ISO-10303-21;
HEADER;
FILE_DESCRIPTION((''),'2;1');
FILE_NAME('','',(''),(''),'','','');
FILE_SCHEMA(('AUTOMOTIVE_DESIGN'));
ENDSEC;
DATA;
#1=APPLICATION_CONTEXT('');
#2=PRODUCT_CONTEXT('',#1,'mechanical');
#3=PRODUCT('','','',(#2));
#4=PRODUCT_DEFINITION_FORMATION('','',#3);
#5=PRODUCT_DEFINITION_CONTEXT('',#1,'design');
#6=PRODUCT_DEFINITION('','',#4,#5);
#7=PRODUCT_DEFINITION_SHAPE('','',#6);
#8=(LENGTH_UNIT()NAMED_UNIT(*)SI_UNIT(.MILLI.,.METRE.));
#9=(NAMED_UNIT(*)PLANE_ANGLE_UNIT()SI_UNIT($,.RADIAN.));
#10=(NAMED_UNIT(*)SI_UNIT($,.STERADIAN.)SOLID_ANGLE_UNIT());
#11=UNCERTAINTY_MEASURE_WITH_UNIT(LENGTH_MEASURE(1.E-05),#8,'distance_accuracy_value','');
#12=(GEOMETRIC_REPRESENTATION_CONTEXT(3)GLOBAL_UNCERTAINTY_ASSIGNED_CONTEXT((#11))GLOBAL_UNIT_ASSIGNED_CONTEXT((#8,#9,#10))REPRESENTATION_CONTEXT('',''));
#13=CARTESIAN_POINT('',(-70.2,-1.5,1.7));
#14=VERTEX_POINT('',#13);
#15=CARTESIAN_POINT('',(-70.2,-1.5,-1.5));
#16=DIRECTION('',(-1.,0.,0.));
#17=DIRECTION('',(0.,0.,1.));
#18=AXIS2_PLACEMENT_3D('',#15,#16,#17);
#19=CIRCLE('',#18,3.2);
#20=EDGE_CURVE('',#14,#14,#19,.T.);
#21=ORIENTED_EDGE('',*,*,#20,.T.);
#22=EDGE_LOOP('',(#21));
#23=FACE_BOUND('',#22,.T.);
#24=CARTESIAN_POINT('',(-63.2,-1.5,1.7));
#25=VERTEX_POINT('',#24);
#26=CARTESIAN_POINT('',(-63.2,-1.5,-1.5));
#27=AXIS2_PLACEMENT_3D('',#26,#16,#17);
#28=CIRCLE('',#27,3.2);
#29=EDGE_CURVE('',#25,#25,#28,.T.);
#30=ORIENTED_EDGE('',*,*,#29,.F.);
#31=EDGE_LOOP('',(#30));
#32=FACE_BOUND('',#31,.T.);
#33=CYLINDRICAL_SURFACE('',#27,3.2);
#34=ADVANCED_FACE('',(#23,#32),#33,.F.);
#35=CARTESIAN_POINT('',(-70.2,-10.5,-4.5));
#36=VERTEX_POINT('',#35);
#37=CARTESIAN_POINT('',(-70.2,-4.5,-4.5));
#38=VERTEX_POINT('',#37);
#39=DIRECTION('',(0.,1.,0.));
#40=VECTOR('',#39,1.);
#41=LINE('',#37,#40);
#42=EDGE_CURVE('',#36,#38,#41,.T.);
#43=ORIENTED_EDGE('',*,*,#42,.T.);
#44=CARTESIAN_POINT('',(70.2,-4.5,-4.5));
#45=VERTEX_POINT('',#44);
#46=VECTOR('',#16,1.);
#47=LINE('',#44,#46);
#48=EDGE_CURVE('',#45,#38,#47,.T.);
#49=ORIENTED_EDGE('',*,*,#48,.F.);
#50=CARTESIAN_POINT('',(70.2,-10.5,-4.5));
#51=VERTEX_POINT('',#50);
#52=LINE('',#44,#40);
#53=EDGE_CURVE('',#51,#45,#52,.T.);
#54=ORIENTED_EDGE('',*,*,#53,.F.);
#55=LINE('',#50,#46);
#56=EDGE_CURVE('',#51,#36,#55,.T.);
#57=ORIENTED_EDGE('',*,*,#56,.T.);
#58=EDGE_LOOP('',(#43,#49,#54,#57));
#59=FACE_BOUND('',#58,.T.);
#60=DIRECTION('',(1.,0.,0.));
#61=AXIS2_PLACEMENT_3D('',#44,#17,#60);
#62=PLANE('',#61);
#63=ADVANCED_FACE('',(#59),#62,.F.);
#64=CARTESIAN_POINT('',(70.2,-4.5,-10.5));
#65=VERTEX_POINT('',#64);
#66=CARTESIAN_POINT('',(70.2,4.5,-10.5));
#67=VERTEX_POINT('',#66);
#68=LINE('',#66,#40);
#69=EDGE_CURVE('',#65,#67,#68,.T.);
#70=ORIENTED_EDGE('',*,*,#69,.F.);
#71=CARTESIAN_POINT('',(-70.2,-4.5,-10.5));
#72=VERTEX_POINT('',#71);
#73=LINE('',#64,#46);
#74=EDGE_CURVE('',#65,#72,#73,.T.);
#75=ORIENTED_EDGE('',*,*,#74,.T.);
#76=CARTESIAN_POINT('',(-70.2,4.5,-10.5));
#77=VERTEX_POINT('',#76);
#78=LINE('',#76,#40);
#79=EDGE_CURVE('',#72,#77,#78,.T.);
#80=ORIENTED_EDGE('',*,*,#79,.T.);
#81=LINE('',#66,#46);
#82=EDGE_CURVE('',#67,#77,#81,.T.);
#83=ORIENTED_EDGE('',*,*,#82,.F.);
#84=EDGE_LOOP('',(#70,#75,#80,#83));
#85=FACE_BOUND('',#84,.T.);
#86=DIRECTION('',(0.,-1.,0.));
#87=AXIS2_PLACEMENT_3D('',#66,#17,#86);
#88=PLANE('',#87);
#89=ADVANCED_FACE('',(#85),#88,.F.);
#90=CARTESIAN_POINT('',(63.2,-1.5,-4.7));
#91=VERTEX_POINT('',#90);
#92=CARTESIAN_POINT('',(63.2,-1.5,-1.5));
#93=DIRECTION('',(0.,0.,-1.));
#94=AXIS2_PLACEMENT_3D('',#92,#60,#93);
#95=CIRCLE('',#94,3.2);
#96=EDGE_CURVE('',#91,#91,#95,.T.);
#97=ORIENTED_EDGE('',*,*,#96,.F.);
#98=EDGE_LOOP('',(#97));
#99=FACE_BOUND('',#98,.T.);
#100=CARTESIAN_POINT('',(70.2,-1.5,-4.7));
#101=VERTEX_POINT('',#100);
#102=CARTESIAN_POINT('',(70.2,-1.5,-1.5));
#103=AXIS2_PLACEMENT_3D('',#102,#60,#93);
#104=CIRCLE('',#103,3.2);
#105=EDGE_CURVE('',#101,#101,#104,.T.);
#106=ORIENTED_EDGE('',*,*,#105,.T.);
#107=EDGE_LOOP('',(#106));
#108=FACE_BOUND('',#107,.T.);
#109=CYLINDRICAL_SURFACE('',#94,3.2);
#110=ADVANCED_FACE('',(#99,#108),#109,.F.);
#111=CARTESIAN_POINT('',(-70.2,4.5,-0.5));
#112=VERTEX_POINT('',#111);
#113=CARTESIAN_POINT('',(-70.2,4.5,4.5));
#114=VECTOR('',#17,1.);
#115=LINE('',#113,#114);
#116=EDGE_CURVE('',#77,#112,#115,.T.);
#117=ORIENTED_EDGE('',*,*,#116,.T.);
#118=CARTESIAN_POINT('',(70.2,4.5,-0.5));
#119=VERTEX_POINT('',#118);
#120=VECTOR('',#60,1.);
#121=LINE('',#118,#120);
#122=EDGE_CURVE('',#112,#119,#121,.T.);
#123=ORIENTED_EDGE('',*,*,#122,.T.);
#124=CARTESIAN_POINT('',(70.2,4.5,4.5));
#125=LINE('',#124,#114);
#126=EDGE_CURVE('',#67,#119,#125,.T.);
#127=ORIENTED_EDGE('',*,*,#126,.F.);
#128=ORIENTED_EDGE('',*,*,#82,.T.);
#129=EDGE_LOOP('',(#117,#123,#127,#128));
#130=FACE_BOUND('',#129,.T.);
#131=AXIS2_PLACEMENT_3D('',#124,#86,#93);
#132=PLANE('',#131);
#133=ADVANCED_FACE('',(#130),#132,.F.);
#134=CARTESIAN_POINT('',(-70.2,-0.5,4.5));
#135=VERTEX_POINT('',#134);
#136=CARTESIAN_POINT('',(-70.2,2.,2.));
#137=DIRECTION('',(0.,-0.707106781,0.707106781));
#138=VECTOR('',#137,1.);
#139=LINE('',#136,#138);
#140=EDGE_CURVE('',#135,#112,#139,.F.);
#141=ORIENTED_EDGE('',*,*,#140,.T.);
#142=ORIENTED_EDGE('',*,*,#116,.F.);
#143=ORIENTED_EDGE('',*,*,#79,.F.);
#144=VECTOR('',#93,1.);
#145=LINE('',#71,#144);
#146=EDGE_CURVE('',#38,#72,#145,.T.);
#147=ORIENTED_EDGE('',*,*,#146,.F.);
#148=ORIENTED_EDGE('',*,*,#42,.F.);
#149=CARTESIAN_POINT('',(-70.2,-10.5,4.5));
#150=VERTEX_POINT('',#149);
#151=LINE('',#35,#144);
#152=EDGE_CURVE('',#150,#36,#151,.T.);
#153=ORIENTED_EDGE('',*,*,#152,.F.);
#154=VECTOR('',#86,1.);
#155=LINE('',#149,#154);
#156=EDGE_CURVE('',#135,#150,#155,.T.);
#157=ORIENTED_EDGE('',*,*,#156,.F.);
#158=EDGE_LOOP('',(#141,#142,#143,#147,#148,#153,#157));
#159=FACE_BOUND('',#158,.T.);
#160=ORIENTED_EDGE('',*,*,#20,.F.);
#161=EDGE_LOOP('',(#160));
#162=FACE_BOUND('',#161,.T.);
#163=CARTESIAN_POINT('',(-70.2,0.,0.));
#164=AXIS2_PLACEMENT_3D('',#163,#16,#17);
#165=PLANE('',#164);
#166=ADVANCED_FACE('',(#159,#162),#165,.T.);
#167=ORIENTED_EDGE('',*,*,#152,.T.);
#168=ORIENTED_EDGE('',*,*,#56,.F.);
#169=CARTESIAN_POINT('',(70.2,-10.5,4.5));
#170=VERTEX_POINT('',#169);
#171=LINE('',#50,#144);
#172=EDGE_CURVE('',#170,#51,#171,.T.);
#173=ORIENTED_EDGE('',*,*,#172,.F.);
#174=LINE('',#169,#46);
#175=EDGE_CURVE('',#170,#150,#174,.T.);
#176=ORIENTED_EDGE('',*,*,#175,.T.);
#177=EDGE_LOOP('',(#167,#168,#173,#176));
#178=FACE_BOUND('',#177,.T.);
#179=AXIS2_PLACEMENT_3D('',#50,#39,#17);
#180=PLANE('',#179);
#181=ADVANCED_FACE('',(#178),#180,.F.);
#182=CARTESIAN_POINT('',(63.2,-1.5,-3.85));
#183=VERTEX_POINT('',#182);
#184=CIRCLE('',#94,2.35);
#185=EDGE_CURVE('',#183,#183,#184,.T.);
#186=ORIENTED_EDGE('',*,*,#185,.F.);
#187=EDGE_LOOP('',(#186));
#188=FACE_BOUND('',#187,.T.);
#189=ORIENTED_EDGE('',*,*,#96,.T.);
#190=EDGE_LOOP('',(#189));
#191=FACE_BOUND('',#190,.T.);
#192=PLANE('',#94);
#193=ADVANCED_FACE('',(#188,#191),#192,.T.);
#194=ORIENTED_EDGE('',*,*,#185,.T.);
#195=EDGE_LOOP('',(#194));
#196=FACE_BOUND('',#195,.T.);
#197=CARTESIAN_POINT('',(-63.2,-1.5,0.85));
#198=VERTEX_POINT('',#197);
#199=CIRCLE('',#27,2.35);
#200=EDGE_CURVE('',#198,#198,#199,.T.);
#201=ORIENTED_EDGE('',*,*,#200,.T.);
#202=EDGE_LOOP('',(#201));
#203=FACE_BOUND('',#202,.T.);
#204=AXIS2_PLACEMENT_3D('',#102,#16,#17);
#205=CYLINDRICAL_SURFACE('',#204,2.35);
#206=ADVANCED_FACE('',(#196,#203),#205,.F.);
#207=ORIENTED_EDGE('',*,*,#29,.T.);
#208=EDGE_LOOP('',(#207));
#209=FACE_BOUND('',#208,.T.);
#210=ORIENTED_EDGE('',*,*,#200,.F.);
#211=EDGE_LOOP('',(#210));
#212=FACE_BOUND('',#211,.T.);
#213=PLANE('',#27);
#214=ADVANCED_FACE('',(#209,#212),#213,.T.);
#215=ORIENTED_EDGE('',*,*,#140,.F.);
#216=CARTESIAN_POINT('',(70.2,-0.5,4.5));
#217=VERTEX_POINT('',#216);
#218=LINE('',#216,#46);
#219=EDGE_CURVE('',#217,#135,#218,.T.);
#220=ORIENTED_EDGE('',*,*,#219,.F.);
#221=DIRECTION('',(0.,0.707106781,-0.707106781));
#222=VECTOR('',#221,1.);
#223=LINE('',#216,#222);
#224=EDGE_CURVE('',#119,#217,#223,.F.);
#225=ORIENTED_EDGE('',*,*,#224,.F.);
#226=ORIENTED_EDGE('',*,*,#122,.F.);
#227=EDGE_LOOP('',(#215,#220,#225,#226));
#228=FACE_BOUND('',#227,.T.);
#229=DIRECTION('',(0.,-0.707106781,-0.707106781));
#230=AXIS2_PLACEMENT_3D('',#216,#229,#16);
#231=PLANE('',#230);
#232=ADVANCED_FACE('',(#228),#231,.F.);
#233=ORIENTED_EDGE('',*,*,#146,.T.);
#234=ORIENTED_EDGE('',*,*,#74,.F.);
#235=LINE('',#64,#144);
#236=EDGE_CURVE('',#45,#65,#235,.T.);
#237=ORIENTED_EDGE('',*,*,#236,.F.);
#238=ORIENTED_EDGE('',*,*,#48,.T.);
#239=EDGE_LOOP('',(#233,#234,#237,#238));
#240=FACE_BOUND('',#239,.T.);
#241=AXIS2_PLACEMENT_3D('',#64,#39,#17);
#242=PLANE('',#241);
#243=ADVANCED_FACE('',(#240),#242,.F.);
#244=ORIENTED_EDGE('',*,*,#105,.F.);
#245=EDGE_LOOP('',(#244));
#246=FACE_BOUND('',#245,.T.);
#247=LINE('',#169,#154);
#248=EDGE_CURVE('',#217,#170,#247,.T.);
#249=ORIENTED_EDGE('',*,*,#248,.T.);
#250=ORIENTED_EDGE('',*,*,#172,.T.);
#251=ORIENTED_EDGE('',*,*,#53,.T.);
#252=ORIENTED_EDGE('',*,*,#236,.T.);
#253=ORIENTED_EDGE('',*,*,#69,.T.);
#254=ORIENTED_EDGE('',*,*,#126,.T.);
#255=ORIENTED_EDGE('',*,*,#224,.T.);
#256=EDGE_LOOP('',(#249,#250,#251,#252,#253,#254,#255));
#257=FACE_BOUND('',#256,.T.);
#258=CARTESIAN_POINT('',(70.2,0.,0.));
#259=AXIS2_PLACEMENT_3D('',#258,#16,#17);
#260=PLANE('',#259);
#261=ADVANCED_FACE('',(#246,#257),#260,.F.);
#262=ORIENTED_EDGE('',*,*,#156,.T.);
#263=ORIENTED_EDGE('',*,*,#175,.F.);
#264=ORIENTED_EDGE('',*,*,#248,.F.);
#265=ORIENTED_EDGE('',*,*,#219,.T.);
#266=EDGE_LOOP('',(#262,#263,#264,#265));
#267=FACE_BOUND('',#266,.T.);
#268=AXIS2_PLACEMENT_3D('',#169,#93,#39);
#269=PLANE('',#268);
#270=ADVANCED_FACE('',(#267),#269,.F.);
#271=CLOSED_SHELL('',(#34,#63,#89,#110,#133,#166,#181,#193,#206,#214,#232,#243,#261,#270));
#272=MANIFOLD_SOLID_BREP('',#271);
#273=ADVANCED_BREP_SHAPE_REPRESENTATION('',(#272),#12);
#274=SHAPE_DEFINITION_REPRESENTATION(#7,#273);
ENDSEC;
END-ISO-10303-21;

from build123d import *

# Parameters (mm, degrees)
ESQUISSE3_R             = 2.35
BOSS_EXTRU_2_DEPTH      = 70.2
CHANFREIN1_SIZE         = 5
ESQUISSE6_R             = 3.2
ESQUISSE6_R_2           = 2.35
ENL_V_MAT_EXTRU_1_DEPTH = 7
ENL_V_START             = -7
ESQUISSE7_R             = 3.2
ESQUISSE7_R_2           = 2.35
ENL_V_MAT_EXTRU_2_DEPTH = 7


with BuildPart() as part:
    # Esquisse3 → Boss.-Extru.2 (new, symmetric)
    with BuildSketch(Plane(origin=(0, 0, 0), x_dir=(0, 0, -1), z_dir=(1, 0, 0))):
        Polygon((-4.5, -10.5), (-4.5, 4.5), (10.5, 4.5), (10.5, -4.5), (4.5, -4.5), (4.5, -10.5), align=None)
        with Locations((1.5, -1.5)):
            Circle(ESQUISSE3_R, mode=Mode.SUBTRACT)
    extrude(amount=BOSS_EXTRU_2_DEPTH, both=True)

    # Chanfrein1
    chanfrein1_edges = [part.edges().sort_by_distance(p)[0] for p in [
        (0, 4.5, 4.5),
    ]]
    chamfer(chanfrein1_edges, length=CHANFREIN1_SIZE)

    # Esquisse6 → Enlèv. mat.-Extru.1 (cut)
    with BuildSketch(Plane.ZY.offset(70.2)):
        with Locations((-1.5, -1.5)):
            Circle(ESQUISSE6_R)
        with Locations((-1.5, -1.5)):
            Circle(ESQUISSE6_R_2, mode=Mode.SUBTRACT)
    extrude(amount=-ENL_V_MAT_EXTRU_1_DEPTH, mode=Mode.SUBTRACT)

    # Esquisse7 → Enlèv. mat.-Extru.2 (cut)
    with BuildSketch(Plane(origin=(70.2, 0, 0), x_dir=(0, 0, -1), z_dir=(1, 0, 0)).offset(ENL_V_START)):
        with Locations(Location((1.5, -1.5, 0), (0, 0, 180))):
            Circle(ESQUISSE7_R)
        with Locations(Location((1.5, -1.5, 0), (0, 0, 180))):
            Circle(ESQUISSE7_R_2, mode=Mode.SUBTRACT)
    extrude(amount=ENL_V_MAT_EXTRU_2_DEPTH, mode=Mode.SUBTRACT)


solid = part.part
